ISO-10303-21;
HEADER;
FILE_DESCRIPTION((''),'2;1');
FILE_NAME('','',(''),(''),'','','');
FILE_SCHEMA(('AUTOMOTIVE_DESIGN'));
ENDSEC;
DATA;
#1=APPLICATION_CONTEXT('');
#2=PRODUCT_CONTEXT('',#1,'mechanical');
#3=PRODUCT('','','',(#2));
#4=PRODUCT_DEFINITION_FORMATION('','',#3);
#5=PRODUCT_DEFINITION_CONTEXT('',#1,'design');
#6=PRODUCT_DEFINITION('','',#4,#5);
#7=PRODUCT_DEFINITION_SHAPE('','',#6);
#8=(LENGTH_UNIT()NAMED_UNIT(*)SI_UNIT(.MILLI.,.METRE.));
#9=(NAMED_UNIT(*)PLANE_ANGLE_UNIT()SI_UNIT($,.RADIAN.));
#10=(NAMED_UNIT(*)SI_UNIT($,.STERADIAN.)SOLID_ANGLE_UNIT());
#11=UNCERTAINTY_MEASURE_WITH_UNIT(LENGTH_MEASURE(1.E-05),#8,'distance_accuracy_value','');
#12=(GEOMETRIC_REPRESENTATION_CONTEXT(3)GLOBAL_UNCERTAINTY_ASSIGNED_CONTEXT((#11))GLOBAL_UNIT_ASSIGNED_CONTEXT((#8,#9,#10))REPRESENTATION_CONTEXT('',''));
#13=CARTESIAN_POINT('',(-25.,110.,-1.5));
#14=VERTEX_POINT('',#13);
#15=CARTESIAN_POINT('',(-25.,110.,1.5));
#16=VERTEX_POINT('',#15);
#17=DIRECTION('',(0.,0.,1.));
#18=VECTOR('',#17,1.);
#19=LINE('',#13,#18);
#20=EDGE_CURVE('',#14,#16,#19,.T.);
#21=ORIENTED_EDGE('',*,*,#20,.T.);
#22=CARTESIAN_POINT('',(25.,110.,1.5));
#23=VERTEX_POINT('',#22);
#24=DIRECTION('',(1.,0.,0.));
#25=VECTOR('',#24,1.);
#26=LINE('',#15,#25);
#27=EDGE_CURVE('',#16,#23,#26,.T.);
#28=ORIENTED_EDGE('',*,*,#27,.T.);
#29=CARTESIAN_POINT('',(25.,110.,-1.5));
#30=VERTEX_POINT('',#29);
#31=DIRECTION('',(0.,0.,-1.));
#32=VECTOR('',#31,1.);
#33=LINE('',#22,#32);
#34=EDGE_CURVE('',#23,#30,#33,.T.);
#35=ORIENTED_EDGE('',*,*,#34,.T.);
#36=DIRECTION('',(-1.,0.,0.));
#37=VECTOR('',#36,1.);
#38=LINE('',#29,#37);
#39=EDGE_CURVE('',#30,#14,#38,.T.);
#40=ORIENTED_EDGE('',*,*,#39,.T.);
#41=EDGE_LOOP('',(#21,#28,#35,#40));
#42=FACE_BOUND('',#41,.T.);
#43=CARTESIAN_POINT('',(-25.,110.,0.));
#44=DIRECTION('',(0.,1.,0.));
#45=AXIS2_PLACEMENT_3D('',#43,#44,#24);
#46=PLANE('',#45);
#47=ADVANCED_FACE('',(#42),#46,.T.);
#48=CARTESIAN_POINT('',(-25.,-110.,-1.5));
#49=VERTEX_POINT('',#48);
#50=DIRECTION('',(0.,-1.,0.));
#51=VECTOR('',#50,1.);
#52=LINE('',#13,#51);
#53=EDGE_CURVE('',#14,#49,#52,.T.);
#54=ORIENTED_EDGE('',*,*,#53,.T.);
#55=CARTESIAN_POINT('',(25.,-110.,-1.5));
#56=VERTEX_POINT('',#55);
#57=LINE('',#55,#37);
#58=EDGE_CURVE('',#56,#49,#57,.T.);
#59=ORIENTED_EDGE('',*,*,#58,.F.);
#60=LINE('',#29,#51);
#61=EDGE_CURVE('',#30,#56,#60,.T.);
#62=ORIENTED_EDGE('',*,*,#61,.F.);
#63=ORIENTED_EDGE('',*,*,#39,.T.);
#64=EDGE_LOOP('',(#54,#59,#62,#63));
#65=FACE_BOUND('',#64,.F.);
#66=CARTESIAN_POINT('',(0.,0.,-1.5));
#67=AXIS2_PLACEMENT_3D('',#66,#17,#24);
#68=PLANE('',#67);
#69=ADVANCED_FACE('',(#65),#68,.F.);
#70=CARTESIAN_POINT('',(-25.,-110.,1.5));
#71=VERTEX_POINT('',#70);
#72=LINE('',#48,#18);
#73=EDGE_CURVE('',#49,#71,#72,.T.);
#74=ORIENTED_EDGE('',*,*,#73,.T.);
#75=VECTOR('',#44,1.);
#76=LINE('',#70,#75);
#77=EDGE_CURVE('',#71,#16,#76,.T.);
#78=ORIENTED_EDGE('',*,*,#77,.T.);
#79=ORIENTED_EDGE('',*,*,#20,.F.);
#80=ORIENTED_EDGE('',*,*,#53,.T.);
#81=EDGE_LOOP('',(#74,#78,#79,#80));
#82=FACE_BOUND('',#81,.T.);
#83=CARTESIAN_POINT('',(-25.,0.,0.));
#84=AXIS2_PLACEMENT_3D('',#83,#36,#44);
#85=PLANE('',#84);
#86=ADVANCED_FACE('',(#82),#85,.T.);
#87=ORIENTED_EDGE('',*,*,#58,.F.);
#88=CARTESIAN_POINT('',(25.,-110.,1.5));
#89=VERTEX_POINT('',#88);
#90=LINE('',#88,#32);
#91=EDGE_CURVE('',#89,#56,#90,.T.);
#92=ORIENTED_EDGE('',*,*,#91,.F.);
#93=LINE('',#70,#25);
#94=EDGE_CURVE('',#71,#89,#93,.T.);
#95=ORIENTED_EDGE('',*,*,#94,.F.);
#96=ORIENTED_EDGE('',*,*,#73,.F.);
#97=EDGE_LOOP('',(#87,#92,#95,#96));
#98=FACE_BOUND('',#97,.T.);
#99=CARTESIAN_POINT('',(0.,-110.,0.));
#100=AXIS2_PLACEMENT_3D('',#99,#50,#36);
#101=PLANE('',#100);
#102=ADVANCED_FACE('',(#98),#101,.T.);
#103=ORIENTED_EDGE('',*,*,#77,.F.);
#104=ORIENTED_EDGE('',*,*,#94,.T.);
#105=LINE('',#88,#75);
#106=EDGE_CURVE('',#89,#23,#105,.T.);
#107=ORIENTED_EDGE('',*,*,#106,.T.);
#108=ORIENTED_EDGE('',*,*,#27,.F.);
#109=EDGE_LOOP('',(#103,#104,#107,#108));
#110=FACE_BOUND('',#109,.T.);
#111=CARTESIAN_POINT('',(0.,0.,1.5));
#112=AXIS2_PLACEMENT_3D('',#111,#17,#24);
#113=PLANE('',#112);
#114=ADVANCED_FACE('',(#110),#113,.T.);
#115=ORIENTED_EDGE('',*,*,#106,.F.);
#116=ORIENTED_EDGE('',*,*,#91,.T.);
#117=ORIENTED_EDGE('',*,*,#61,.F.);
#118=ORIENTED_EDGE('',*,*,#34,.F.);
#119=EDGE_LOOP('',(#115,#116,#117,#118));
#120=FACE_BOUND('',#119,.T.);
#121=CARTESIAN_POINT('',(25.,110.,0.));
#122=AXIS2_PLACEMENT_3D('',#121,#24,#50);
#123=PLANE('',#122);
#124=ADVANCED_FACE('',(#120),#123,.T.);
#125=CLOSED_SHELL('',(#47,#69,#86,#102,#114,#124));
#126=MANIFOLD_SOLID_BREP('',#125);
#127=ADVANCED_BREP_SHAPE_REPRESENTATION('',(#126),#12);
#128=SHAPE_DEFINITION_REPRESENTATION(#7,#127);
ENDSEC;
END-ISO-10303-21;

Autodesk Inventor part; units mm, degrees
ref_plane "YZ Plane" through (0, 0, 0) normal (1, 0, 0) x (0, 1, 0)
ref_plane "XZ Plane" through (0, 0, 0) normal (0, 1, 0) x (-1, 0, 0)
ref_plane "XY Plane" through (0, 0, 0) normal (0, 0, 1) x (1, 0, 0)
sketch "スケッチ1" plane through (0, 0, 0) normal (0, 0, 1) x (1, 0, 0)
  line L0 (-25, 110) -> (25, 110)
  line L1 (25, 110) -> (25, -110)
  line L2 (25, -110) -> (-25, -110)
  line L3 (-25, -110) -> (-25, 110)
  line L4 (-35, 0) -> (35, 0) projected
  line L5 (0, -154) -> (0, 154) projected
  point P0 (0, 0)
  dimension "d0" = 220
  dimension "d1" = 50
extrude "押し出し1" add sketch "スケッチ1" along normal mid plane 3
properties part number "stage"
